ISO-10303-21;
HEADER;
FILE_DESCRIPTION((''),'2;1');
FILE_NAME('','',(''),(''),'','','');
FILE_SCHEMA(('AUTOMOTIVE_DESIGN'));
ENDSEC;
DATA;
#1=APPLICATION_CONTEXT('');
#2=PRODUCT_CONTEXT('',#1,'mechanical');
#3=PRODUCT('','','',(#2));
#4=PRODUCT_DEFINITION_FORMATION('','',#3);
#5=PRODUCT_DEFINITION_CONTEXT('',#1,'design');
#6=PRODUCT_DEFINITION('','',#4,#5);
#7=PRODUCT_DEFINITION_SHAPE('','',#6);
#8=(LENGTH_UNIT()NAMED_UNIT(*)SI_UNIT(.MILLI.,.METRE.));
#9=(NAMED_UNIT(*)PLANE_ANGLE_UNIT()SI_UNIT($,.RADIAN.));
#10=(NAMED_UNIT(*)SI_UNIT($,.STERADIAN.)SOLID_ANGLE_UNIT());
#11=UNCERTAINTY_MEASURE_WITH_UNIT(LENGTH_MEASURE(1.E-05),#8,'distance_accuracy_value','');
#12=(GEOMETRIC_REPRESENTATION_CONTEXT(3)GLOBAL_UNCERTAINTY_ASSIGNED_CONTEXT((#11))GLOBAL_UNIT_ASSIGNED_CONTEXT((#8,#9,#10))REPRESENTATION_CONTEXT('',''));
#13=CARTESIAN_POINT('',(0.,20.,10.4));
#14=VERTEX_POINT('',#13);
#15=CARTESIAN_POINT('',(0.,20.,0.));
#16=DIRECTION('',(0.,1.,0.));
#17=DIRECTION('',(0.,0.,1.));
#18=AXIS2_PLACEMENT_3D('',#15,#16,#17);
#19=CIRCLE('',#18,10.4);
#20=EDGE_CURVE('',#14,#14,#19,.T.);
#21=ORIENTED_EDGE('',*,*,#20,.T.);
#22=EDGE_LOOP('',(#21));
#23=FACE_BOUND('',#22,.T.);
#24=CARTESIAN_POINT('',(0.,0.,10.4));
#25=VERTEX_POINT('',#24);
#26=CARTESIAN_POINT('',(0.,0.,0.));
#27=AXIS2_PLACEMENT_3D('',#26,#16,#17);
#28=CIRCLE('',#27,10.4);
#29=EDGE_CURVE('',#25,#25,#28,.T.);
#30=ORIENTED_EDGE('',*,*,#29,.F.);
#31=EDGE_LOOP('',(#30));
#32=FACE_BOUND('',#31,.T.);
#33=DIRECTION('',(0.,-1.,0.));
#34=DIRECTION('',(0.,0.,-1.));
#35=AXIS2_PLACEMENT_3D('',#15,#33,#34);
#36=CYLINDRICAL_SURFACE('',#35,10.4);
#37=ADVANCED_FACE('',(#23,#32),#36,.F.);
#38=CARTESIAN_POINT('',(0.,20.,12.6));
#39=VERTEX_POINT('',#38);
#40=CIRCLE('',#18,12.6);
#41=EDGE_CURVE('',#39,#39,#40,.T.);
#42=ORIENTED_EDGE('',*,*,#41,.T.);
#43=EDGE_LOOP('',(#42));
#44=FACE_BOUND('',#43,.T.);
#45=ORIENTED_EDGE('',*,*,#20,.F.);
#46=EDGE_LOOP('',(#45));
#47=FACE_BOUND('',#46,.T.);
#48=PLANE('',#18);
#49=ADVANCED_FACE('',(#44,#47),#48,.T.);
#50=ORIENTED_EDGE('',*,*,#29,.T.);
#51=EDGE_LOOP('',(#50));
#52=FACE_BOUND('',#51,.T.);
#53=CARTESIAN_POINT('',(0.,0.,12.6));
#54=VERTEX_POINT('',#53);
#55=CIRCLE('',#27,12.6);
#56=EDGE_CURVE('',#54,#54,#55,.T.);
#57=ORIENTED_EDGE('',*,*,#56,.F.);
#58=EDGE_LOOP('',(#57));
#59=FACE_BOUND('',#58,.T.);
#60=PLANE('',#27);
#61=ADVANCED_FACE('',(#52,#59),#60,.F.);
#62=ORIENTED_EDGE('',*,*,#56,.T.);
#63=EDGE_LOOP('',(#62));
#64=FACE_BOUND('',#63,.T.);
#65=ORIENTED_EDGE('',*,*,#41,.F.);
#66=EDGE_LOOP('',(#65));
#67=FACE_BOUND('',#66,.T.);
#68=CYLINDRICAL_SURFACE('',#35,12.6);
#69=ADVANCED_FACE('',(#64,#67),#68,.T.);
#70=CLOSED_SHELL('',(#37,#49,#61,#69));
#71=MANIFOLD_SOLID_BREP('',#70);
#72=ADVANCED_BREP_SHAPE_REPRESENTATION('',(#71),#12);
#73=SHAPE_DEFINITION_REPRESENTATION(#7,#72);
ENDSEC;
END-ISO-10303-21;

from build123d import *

# Parameters (mm, degrees)
SKETCH_1_R      = 12.6
EXTRUDE_1_DEPTH = 20
SHELL_1_T       = -2.2


with BuildPart() as part:
    # 스케치1 → 보스-돌출1 (new body)
    with BuildSketch(Plane(origin=(0, 0, 0), x_dir=(1, 0, 0), z_dir=(0, 1, 0))):
        with Locations(Location((0, 0, 0), (0, 0, 270))):
            Circle(SKETCH_1_R)
    extrude(amount=EXTRUDE_1_DEPTH)

    # 쉘1
    shell_1_openings = [part.faces().sort_by_distance(p)[0] for p in [
        (0, 20, 0),
        (0, 0, 0),
    ]]
    offset(amount=SHELL_1_T, openings=shell_1_openings, kind=Kind.INTERSECTION)


solid = part.part
